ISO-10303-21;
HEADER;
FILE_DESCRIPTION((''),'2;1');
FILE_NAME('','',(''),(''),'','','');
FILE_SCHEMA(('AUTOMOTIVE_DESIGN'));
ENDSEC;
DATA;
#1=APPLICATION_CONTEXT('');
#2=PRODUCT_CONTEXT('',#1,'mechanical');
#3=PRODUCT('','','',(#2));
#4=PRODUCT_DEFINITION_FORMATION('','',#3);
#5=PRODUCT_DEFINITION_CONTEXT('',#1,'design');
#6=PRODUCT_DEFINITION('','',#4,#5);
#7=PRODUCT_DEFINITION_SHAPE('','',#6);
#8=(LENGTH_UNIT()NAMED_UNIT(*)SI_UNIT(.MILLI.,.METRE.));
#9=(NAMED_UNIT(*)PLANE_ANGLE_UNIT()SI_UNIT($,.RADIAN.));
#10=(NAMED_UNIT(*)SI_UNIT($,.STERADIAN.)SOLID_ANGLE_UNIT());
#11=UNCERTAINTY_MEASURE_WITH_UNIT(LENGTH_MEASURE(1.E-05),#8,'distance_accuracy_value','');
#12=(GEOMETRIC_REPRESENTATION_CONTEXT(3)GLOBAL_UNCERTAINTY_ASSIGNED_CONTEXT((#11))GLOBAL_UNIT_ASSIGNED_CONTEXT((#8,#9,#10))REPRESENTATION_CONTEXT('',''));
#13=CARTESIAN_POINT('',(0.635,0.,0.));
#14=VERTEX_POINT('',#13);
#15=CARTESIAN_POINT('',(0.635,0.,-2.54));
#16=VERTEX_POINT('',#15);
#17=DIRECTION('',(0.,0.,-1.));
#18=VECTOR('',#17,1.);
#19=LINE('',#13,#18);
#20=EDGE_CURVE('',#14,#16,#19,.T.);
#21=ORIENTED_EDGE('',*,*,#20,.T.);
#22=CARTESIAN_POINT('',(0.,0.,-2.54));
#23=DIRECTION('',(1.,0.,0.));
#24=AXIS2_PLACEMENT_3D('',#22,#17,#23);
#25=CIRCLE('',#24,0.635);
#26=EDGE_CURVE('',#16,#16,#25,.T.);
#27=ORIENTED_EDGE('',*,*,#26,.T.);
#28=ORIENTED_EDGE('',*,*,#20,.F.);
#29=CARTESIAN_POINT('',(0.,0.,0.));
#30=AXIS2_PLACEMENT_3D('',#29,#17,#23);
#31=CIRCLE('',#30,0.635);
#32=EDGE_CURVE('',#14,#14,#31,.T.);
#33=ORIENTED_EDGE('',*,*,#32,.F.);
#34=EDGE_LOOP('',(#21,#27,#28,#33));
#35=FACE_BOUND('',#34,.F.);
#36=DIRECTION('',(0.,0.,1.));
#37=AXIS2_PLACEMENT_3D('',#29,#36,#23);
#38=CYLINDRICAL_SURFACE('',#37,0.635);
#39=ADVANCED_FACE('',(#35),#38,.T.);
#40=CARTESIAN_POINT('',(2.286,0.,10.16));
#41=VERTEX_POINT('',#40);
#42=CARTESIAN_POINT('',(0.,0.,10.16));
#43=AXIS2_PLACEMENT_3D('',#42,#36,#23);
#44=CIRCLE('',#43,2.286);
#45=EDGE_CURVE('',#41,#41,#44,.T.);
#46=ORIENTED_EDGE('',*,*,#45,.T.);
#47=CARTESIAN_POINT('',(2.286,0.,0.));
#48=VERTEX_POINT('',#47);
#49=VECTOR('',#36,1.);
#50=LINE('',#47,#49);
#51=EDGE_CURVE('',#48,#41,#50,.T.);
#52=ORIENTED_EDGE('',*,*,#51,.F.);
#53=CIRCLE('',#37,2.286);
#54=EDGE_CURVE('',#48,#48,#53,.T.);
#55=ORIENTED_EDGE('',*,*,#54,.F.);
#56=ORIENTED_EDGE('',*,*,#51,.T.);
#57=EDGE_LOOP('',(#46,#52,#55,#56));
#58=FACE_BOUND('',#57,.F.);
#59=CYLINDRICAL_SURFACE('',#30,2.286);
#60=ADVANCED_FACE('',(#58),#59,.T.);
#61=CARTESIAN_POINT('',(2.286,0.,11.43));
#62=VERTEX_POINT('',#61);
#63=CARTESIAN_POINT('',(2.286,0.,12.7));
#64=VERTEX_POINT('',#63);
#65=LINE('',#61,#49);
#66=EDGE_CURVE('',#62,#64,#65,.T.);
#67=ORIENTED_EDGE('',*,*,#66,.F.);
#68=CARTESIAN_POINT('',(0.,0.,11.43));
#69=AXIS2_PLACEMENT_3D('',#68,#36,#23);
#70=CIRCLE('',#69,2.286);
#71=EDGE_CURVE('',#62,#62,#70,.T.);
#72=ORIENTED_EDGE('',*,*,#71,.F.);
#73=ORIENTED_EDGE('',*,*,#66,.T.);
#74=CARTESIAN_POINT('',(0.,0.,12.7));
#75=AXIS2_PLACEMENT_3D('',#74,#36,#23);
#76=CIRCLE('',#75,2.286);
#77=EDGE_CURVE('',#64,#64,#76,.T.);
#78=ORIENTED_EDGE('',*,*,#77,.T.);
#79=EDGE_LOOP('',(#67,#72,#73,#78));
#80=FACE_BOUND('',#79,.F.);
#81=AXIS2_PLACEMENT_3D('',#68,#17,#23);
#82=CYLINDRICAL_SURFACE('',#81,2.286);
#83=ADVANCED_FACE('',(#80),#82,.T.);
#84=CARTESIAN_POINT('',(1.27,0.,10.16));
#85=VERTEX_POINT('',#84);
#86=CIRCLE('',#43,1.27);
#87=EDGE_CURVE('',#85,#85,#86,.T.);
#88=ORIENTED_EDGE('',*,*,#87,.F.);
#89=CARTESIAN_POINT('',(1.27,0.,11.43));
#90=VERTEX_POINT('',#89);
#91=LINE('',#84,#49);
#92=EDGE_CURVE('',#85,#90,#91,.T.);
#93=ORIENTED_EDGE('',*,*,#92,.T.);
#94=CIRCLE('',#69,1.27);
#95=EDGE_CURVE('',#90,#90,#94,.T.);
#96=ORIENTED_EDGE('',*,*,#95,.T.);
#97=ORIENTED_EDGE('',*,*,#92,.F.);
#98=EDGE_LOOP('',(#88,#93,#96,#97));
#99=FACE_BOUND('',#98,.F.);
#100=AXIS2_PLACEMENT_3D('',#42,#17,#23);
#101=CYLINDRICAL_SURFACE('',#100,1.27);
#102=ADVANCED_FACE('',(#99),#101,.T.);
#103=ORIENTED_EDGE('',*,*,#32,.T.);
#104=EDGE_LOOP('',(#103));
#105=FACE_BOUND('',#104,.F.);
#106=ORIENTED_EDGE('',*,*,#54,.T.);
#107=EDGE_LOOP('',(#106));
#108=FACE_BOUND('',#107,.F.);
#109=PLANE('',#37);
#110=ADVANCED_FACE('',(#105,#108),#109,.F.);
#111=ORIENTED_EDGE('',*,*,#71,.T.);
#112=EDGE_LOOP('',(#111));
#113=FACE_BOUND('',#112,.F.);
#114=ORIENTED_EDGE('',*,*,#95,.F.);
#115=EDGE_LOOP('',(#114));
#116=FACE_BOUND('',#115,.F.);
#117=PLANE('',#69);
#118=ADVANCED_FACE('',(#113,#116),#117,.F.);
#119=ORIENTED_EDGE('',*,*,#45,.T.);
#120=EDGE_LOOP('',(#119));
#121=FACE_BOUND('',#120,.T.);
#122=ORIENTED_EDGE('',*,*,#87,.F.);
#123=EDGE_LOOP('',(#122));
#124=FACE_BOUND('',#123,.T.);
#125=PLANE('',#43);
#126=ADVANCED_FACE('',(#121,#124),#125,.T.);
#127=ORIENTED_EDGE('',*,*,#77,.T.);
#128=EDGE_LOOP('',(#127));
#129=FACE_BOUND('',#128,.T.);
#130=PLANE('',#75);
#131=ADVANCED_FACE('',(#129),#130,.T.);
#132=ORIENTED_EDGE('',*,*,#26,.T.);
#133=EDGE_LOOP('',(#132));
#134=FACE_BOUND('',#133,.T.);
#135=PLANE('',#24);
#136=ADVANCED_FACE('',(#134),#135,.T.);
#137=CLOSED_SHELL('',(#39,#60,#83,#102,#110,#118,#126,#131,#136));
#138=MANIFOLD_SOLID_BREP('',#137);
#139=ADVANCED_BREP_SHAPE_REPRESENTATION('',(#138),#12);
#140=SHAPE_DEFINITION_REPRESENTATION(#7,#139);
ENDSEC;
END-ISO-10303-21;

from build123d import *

# Parameters (mm, degrees)
F0_R     = 2.286
F1_DEPTH = 10.16
F2_R     = 1.27
F3_DEPTH = 1.27
F4_R     = 2.286
F5_DEPTH = 1.27
F6_R     = 0.635
F7_DEPTH = 2.54


with BuildPart() as f1:
    # F0 (on Top) → F1 (new body)
    with BuildSketch(Plane.XY):
        Circle(F0_R)
    extrude(amount=F1_DEPTH)

    # F2 (on face) → F3 (join)
    with BuildSketch(Plane.XY.offset(10.16)):
        Circle(F2_R)
    extrude(amount=F3_DEPTH)

    # F4 (on face) → F5 (join)
    with BuildSketch(Plane.XY.offset(11.43)):
        Circle(F4_R)
    extrude(amount=F5_DEPTH)

    # F6 (on face) → F7 (join)
    with BuildSketch(Plane(origin=(0, 0, 0), x_dir=(1, 0, 0), z_dir=(0, 0, -1))):
        Circle(F6_R)
    extrude(amount=F7_DEPTH)


solid = f1.part
